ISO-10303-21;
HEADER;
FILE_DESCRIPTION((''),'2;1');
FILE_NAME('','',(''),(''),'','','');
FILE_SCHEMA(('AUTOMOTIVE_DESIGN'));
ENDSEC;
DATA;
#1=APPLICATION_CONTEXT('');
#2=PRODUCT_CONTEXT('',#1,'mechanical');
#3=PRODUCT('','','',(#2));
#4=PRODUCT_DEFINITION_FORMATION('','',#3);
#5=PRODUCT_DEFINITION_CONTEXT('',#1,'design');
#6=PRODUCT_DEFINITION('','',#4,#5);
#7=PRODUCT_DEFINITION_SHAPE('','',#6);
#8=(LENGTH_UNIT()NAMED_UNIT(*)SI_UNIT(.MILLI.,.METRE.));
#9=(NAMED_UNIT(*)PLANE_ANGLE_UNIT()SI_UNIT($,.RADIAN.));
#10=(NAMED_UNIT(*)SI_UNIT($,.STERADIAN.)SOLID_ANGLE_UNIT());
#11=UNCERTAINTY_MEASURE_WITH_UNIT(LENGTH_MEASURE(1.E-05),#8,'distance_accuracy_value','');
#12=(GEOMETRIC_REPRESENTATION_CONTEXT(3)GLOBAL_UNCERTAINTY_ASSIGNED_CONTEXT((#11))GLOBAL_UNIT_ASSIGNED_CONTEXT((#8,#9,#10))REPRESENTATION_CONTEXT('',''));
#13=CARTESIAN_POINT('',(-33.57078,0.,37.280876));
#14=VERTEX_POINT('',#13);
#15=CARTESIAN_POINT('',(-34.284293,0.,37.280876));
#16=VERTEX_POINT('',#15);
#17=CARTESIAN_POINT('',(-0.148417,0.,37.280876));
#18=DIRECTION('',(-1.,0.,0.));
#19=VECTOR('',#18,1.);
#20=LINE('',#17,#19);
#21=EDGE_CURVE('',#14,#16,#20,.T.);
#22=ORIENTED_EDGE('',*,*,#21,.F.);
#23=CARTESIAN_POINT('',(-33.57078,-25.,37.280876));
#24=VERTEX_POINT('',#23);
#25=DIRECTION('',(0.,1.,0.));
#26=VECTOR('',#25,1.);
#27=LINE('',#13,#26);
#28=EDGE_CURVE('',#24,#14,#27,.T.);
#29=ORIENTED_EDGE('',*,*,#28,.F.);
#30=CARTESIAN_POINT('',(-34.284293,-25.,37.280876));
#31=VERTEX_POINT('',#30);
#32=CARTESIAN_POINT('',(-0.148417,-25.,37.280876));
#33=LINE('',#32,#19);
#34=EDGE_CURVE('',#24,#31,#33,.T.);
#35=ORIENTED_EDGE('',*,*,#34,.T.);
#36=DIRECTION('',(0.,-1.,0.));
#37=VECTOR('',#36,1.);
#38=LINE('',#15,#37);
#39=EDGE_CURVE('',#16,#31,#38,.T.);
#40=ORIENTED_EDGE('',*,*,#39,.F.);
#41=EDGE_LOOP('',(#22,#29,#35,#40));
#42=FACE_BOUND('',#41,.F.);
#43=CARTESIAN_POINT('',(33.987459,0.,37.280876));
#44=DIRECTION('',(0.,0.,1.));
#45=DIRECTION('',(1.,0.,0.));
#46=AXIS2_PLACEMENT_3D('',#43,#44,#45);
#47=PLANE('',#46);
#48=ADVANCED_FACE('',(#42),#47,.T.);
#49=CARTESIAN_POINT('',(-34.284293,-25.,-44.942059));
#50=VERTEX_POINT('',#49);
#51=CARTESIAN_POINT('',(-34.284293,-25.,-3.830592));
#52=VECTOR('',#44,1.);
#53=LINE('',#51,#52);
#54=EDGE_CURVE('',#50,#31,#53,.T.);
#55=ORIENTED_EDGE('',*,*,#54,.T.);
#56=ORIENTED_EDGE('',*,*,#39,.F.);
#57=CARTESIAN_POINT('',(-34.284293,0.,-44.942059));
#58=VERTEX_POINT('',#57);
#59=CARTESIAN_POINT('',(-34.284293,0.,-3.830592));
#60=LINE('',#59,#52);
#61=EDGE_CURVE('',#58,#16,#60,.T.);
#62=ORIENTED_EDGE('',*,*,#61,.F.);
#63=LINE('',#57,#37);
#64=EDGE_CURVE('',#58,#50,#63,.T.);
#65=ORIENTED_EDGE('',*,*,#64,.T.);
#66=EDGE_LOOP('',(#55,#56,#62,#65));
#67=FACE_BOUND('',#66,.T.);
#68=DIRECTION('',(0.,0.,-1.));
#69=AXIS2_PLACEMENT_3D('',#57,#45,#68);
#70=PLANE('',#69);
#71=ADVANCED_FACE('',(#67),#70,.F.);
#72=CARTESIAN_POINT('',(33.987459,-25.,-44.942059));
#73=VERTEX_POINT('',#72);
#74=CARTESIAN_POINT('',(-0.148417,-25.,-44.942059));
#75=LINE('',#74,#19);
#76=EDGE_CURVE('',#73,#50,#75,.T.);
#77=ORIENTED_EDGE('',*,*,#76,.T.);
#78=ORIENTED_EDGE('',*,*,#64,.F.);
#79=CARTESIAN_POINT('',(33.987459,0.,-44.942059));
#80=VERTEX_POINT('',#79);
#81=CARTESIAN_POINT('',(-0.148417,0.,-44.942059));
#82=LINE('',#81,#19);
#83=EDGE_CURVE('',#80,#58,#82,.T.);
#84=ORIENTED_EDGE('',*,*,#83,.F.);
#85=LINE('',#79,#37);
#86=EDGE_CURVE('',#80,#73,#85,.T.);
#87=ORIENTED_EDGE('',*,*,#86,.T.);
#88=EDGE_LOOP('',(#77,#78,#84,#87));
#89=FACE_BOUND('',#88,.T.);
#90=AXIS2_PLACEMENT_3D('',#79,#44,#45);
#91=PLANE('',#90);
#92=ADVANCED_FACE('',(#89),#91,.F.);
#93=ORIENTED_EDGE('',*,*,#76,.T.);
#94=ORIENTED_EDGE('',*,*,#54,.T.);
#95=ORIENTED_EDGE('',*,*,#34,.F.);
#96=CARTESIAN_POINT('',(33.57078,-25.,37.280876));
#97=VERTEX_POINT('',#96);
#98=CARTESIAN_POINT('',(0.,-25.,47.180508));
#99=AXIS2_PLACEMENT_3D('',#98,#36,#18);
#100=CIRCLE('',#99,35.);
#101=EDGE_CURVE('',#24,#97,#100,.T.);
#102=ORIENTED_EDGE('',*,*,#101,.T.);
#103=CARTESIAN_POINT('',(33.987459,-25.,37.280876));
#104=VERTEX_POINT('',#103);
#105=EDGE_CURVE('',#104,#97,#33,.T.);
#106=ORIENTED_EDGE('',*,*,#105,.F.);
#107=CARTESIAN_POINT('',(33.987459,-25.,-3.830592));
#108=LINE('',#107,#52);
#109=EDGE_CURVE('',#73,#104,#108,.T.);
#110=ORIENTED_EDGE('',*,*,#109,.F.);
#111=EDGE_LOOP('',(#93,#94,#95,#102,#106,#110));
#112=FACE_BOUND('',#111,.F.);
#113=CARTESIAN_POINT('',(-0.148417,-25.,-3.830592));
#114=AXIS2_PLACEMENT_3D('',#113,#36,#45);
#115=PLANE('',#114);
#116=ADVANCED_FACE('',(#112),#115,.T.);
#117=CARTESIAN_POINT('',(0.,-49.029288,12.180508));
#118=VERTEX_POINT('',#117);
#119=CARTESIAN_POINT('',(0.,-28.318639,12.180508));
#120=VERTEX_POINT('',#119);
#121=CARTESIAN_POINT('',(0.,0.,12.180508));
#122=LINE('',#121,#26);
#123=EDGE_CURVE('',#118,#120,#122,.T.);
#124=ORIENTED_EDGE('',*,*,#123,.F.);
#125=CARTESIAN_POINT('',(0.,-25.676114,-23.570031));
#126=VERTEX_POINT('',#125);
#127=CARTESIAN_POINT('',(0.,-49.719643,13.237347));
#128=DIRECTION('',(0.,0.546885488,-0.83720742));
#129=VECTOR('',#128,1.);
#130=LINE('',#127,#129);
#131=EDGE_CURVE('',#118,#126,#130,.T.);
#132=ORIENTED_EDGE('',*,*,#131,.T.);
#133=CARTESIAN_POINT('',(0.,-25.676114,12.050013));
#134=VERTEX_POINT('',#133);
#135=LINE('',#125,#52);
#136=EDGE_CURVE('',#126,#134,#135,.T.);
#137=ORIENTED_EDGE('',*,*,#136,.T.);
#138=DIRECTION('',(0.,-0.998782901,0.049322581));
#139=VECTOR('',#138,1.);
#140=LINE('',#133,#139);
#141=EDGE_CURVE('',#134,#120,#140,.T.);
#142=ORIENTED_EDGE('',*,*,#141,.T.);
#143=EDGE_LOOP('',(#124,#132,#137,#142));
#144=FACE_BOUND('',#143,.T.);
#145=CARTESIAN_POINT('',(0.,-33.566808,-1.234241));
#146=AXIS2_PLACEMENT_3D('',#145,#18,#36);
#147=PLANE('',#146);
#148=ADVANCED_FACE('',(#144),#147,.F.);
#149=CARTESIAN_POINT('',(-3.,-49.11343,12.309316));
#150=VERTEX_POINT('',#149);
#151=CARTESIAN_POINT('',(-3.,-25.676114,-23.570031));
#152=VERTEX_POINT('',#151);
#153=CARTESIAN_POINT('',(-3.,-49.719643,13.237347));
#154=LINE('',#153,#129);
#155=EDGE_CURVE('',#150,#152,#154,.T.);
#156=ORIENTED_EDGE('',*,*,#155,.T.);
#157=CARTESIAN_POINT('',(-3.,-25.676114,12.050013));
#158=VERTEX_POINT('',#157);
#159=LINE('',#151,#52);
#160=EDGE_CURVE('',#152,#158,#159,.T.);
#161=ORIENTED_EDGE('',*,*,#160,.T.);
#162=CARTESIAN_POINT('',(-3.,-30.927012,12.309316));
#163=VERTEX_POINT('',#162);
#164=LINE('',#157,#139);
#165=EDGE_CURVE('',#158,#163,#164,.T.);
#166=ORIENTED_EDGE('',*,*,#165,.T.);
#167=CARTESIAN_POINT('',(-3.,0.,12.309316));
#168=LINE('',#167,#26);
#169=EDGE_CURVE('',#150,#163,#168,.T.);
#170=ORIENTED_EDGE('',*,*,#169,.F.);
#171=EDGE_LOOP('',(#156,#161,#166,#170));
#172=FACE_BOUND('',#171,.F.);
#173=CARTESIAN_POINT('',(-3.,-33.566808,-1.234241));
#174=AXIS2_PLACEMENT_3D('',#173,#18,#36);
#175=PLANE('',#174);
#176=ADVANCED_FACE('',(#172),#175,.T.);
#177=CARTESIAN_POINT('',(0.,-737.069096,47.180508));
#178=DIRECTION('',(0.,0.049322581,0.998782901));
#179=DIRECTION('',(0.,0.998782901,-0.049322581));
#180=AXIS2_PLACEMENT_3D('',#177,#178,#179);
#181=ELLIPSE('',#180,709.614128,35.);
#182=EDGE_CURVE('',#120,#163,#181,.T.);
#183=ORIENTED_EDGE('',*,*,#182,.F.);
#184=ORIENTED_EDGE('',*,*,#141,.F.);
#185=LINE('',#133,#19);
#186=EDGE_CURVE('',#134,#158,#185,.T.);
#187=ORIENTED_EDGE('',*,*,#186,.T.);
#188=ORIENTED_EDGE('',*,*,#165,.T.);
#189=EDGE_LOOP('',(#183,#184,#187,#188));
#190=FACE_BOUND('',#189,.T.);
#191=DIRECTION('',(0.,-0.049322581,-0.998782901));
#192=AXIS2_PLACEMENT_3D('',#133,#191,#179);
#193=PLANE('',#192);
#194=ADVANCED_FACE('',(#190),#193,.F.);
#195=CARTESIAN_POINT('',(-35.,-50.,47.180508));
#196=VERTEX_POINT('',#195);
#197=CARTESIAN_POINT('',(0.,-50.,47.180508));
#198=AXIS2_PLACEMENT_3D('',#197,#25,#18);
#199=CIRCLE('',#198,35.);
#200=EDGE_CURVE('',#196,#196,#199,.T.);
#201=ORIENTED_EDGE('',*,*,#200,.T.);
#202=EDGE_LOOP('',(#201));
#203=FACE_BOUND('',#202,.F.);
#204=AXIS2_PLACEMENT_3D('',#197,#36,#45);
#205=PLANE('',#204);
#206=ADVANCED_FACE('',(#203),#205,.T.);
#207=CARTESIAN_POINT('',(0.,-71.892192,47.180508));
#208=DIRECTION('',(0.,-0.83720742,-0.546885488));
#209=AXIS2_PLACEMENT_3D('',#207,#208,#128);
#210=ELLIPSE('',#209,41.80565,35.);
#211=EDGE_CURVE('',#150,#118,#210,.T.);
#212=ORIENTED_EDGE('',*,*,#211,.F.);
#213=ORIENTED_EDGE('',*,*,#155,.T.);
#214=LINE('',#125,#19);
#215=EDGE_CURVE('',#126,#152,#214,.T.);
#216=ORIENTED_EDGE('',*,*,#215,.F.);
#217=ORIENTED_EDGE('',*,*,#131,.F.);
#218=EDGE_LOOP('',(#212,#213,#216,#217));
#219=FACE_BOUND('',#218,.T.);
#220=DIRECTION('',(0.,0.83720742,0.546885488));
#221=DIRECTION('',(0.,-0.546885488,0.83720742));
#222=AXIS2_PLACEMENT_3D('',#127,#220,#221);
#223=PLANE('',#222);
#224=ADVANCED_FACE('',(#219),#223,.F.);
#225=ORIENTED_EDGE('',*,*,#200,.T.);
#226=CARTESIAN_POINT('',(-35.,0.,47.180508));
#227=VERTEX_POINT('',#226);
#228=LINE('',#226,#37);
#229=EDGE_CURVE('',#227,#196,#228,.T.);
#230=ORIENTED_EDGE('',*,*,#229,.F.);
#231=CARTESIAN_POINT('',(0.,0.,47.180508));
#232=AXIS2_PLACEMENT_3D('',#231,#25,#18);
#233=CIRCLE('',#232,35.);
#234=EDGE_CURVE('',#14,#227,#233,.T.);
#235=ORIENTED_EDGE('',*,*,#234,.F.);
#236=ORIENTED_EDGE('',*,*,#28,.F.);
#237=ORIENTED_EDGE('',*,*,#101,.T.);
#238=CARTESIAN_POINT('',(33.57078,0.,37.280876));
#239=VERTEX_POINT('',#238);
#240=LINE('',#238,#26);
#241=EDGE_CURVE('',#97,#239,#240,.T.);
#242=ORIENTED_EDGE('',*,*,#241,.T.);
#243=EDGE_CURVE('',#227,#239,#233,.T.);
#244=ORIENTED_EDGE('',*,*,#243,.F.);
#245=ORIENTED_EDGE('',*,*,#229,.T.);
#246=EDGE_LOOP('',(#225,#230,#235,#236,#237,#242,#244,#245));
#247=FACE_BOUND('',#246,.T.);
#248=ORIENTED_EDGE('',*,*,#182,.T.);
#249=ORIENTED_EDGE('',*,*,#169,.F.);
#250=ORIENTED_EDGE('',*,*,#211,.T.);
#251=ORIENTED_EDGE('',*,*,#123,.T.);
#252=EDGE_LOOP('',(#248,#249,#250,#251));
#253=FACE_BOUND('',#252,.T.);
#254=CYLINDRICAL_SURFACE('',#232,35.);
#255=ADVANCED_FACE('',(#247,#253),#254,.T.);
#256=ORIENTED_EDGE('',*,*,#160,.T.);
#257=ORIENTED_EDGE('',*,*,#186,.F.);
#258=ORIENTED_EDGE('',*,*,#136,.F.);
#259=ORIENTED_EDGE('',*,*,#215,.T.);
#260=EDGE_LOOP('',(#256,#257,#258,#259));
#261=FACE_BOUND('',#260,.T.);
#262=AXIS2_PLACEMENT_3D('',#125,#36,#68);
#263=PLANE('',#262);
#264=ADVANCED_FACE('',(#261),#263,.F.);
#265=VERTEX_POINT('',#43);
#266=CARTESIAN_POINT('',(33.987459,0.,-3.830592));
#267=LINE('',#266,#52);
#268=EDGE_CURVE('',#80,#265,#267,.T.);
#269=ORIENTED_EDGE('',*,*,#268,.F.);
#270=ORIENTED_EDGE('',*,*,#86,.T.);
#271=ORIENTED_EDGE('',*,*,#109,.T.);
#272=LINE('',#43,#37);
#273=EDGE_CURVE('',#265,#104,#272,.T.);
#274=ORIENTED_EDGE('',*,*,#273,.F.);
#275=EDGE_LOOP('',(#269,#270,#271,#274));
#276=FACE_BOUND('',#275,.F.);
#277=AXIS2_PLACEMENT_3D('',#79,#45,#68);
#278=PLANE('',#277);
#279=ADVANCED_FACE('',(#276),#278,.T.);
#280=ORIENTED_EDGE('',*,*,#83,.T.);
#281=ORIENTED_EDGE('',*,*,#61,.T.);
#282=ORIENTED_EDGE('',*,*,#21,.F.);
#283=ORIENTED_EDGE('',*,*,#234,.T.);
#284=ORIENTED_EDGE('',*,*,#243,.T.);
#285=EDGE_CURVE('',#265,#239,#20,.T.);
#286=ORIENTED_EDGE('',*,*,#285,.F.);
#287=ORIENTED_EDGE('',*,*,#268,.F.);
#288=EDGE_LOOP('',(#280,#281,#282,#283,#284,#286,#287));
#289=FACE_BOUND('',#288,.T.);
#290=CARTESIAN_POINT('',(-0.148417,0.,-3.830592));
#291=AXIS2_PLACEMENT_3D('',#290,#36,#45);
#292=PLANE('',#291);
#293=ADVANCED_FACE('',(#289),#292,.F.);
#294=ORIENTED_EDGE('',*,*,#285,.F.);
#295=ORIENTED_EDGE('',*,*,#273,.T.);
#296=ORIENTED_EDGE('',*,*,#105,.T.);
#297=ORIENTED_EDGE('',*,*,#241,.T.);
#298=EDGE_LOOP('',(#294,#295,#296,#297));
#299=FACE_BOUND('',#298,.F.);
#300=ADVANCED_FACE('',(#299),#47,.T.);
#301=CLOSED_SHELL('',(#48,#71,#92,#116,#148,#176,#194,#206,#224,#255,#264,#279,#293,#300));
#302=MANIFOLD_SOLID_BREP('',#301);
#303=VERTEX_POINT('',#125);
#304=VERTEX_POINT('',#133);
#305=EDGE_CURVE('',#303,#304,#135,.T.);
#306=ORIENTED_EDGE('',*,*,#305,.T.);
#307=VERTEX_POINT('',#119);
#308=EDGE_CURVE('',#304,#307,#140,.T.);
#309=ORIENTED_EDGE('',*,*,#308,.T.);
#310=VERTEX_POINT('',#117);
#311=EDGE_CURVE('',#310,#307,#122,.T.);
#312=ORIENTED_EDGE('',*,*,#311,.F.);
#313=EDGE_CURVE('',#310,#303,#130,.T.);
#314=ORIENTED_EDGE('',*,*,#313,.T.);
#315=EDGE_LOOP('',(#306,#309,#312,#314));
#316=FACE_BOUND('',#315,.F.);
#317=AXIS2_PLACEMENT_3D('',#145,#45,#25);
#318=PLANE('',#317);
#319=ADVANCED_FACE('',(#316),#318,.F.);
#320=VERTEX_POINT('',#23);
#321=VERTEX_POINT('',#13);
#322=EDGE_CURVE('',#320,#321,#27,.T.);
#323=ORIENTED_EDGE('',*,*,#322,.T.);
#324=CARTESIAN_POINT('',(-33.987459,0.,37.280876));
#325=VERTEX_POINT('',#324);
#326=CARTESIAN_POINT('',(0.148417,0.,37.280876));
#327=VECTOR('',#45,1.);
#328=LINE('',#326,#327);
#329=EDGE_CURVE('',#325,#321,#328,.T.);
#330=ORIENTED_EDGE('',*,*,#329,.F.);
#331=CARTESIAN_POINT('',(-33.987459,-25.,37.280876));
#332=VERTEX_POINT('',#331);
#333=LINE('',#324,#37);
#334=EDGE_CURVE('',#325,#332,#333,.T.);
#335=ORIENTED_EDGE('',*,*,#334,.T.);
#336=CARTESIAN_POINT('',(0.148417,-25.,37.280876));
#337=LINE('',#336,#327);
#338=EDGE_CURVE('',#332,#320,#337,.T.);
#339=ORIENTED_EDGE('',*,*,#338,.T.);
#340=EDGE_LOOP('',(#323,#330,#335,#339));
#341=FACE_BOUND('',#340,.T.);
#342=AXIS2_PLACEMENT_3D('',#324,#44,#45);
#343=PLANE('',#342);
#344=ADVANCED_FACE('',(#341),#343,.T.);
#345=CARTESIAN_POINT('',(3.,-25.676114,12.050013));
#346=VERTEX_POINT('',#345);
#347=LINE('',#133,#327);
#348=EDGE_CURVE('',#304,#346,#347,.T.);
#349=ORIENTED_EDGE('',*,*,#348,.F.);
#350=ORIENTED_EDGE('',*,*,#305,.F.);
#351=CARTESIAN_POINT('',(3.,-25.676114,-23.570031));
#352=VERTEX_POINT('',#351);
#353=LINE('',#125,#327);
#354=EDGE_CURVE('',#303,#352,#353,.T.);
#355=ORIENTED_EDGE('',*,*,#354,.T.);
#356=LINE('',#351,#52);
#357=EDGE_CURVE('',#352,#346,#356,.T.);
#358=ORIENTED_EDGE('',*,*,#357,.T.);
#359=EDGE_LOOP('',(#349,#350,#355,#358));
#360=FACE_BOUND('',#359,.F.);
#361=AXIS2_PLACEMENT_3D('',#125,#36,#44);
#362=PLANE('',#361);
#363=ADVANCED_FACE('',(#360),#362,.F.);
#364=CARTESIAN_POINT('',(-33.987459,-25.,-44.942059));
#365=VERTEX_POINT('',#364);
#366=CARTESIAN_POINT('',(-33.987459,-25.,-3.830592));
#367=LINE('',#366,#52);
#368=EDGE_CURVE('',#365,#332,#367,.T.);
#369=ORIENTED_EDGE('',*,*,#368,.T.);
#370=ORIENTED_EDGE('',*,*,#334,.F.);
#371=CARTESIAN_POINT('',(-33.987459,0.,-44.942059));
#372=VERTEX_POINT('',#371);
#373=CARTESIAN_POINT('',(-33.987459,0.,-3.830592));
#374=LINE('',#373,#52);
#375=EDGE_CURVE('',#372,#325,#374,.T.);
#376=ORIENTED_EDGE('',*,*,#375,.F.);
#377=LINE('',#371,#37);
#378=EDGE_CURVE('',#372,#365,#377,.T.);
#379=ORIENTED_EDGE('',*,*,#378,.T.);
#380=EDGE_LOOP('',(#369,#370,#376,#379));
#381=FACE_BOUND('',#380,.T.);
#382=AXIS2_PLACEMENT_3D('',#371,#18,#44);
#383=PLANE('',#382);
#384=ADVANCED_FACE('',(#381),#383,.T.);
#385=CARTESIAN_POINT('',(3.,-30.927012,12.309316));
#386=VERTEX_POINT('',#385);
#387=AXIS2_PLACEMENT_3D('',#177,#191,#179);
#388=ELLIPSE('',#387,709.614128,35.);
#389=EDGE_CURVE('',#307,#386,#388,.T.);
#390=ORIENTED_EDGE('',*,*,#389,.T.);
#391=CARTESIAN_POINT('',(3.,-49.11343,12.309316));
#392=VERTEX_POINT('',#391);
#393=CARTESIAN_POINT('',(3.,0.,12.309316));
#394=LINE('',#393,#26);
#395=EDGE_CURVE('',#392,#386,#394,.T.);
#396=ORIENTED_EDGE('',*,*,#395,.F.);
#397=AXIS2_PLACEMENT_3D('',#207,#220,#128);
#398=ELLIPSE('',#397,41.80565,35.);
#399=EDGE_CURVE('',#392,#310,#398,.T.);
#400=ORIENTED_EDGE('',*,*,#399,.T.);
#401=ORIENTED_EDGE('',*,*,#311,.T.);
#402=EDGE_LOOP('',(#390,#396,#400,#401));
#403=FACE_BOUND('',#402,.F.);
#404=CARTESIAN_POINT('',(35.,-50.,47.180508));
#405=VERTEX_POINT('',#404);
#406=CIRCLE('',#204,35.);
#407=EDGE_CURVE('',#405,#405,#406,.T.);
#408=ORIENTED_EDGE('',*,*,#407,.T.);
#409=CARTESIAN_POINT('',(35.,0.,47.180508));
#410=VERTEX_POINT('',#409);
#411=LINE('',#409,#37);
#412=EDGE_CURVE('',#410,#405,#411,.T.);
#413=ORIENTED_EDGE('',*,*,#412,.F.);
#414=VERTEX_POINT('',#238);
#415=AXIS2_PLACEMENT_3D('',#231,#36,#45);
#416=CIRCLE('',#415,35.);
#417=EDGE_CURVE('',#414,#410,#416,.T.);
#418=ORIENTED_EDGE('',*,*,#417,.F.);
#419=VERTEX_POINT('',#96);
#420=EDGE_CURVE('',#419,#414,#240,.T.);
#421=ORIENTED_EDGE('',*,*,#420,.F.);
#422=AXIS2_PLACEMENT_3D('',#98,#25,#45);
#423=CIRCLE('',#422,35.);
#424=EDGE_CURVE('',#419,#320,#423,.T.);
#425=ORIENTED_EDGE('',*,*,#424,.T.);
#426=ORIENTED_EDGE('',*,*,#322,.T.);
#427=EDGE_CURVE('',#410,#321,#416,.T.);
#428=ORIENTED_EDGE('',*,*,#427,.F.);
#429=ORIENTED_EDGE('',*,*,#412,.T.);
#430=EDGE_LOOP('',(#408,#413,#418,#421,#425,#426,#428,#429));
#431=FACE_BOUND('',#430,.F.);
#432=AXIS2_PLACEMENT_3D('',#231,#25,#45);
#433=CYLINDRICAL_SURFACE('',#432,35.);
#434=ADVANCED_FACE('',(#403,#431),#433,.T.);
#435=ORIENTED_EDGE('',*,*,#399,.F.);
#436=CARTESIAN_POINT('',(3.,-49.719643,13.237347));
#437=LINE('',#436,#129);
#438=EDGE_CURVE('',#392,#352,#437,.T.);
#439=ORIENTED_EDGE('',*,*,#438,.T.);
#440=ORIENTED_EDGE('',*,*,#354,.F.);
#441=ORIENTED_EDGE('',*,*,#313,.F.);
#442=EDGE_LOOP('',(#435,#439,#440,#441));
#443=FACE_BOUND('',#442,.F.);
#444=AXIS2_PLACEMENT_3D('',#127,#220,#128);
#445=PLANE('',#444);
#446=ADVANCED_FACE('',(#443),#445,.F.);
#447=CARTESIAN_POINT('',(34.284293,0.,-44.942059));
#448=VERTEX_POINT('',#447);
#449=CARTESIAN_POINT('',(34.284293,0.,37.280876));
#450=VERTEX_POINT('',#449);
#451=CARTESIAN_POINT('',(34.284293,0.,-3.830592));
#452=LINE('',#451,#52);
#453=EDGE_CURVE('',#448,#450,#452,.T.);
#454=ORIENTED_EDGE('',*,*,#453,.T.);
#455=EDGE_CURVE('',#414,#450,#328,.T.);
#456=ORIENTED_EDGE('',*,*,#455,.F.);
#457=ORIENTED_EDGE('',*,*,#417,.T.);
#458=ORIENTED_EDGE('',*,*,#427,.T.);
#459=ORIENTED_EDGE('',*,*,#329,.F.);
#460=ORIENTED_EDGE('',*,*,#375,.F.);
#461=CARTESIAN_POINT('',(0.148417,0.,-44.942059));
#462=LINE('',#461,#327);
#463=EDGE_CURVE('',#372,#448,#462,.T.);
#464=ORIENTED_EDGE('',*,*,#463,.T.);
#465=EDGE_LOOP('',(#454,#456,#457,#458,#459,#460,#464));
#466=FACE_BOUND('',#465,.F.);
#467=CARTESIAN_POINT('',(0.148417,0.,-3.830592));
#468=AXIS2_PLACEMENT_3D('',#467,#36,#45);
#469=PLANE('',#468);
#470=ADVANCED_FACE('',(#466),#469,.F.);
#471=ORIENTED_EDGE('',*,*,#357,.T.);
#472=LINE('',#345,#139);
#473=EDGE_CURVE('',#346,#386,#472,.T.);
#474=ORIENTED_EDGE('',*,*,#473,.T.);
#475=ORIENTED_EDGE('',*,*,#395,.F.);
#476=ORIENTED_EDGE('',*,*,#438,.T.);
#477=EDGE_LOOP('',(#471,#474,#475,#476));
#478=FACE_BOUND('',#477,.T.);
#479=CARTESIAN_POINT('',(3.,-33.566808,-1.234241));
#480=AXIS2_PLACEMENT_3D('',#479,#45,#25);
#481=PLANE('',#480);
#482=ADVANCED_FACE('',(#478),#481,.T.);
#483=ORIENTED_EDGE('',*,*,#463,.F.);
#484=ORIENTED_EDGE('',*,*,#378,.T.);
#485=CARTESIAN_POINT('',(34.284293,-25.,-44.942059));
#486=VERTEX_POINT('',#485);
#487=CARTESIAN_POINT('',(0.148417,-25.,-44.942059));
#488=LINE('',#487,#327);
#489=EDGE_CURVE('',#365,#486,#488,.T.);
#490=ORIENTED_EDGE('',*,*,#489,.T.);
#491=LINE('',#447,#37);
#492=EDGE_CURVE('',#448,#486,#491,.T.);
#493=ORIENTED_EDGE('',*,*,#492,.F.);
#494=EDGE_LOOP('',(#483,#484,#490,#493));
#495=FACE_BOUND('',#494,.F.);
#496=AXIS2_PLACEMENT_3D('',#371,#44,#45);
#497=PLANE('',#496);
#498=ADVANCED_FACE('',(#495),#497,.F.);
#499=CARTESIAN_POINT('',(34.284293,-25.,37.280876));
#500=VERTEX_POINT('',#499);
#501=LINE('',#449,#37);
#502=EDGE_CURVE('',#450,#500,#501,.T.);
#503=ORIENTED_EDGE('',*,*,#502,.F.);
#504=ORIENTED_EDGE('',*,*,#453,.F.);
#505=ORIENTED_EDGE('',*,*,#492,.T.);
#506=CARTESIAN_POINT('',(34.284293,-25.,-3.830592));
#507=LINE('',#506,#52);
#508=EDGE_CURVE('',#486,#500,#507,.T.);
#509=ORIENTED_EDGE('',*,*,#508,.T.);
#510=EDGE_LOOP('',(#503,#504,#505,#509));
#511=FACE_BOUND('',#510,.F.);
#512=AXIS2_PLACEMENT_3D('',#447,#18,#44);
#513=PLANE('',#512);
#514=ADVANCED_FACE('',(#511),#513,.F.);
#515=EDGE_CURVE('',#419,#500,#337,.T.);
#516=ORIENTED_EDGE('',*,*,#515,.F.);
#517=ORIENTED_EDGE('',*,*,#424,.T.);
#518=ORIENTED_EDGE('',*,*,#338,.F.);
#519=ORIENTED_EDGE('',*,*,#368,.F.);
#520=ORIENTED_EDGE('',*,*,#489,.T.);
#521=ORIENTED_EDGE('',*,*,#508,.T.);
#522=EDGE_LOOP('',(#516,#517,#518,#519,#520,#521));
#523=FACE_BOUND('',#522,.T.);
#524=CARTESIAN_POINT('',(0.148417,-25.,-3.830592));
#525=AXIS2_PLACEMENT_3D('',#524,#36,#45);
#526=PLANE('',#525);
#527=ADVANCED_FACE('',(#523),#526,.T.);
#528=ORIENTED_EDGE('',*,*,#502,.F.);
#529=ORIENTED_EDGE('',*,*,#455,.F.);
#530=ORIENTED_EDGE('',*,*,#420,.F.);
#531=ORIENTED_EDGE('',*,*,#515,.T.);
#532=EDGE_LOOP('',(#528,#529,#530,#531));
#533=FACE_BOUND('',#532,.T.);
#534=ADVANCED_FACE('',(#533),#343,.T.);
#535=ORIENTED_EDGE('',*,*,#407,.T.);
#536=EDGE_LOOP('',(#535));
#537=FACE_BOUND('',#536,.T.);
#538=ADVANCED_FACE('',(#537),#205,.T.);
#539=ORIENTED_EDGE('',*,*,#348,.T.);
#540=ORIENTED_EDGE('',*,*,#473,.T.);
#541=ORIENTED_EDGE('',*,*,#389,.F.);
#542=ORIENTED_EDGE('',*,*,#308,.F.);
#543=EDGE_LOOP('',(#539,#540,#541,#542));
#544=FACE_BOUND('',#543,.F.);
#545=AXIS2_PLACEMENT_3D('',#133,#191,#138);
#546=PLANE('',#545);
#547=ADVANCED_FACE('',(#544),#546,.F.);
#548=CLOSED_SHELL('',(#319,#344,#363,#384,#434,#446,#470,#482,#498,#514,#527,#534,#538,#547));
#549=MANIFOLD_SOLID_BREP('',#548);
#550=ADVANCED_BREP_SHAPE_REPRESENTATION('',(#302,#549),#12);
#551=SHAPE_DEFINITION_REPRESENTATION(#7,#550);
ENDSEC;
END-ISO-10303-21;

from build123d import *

# Parameters (mm, degrees)
F0_R     = 35
F1_DEPTH = 50
F2_W     = 68.271753
F2_H     = 82.222935
F3_DEPTH = 25
F5_DEPTH = 3


with BuildPart() as f1:
    # F0 (on Front) → F1 (new body)
    with BuildSketch(Plane.XZ):
        with Locations((0, 47.180508)):
            Circle(F0_R)
    extrude(amount=F1_DEPTH)

    # F2 (on Front) → F3 (join)
    with BuildSketch(Plane.XZ):
        with Locations((0.148417, -3.830592)):
            Rectangle(F2_W, F2_H)
    extrude(amount=F3_DEPTH)

    # F4 (on Right) → F5 (join)
    with BuildSketch(Plane.YZ):
        Polygon((-25.676114, 12.050013), (-49.719643, 13.237347), (-25.676114, -23.570031), align=None)
    extrude(amount=F5_DEPTH)


with BuildPart() as f6_1:
    # F6: instance of F1
    add(f1.part.mirror(Plane(origin=(0, -33.463358, 0.258755), x_dir=(0, 1, 0), z_dir=(-1, 0, 0))))


solid = Compound([f1.part, f6_1.part])
